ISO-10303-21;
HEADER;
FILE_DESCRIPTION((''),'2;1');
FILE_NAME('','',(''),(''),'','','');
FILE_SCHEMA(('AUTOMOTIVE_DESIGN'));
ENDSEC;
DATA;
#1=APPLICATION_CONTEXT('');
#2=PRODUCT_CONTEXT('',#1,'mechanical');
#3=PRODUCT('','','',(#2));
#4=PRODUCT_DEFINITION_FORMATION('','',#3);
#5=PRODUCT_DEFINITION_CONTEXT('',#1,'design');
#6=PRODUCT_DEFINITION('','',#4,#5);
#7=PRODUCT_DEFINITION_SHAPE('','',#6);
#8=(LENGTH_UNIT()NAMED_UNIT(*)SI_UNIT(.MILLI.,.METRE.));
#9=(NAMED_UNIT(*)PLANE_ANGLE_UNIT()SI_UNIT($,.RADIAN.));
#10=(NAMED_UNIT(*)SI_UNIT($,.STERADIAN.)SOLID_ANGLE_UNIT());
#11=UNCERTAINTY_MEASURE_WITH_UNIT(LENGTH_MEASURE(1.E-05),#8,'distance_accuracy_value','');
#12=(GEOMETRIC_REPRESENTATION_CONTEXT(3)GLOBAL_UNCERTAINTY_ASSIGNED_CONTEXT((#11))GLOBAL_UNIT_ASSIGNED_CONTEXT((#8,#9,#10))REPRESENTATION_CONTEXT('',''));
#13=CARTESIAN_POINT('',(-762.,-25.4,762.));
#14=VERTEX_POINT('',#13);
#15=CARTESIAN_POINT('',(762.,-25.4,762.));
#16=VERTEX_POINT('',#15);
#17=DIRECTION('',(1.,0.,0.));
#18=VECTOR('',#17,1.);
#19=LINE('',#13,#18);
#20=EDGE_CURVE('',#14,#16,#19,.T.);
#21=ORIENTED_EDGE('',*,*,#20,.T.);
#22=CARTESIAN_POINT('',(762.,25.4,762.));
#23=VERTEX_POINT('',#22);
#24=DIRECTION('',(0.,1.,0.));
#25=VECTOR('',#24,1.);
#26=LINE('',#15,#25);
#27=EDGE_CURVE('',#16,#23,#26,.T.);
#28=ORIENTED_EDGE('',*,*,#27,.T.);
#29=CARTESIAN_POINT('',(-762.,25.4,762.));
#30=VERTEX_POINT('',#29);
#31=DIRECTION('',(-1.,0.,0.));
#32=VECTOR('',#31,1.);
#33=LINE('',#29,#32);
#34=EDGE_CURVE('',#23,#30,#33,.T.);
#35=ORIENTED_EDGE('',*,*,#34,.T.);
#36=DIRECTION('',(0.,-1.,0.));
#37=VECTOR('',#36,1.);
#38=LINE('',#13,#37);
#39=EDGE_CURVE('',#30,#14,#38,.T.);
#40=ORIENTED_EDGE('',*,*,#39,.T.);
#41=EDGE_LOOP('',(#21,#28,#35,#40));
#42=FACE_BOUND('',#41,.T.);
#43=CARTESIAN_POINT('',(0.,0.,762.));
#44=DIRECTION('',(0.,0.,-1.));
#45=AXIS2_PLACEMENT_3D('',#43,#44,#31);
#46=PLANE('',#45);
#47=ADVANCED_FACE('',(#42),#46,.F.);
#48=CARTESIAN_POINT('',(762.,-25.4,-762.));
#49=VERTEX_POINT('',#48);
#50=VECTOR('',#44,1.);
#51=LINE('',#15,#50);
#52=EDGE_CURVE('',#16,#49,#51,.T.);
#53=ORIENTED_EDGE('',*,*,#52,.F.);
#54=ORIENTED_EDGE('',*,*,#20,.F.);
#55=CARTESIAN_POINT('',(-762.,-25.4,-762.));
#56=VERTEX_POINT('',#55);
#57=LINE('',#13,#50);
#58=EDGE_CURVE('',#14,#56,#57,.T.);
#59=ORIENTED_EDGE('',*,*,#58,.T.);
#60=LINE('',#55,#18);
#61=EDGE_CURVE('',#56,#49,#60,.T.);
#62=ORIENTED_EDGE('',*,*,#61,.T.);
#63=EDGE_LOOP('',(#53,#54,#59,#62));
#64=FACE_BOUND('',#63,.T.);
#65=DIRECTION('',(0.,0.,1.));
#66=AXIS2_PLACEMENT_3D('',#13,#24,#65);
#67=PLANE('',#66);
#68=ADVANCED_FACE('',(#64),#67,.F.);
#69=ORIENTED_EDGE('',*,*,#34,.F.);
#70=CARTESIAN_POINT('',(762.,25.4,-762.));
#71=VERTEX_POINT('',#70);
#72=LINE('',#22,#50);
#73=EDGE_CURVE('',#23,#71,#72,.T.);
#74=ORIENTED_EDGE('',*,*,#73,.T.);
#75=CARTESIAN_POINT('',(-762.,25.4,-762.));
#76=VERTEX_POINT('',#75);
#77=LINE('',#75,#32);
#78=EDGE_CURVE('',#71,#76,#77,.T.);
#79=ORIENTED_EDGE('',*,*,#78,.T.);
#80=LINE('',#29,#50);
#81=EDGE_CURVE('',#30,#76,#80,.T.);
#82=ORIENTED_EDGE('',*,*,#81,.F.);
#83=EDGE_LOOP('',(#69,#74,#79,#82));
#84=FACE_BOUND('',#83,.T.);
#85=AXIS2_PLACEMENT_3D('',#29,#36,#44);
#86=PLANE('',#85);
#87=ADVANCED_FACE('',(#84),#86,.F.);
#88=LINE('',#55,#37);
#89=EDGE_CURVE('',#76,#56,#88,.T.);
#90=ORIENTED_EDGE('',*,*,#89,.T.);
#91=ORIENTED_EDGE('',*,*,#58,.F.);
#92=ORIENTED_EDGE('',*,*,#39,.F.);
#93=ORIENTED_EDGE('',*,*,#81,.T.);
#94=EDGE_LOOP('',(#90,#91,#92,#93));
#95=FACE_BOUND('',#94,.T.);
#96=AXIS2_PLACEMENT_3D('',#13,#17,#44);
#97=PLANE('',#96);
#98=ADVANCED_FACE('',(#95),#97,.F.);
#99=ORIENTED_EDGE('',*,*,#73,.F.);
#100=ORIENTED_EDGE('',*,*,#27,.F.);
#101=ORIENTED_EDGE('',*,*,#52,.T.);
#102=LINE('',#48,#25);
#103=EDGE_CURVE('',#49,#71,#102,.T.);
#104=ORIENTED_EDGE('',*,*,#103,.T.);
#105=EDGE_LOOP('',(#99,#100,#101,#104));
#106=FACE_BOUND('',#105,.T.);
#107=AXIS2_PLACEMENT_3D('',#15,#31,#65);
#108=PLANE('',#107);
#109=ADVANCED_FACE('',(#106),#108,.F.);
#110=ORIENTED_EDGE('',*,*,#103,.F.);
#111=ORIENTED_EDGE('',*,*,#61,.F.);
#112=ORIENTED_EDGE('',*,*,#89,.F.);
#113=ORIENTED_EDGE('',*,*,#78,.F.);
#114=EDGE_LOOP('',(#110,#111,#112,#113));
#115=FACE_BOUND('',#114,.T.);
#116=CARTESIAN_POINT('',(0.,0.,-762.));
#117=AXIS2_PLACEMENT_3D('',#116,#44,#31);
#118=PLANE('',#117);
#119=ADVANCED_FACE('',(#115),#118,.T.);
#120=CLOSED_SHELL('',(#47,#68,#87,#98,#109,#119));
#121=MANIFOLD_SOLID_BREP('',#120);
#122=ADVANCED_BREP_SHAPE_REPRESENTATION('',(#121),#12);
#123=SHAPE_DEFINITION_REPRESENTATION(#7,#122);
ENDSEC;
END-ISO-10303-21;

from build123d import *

# Parameters (mm, degrees)
SKETCH1_W           = 1524
SKETCH1_H           = 50.8
BOSS_EXTRUDE1_DEPTH = 762


with BuildPart() as part:
    # Sketch1 → Boss-Extrude1 (new, symmetric)
    with BuildSketch(Plane.XY):
        Rectangle(SKETCH1_W, SKETCH1_H)
    extrude(amount=BOSS_EXTRUDE1_DEPTH, both=True)


solid = part.part
